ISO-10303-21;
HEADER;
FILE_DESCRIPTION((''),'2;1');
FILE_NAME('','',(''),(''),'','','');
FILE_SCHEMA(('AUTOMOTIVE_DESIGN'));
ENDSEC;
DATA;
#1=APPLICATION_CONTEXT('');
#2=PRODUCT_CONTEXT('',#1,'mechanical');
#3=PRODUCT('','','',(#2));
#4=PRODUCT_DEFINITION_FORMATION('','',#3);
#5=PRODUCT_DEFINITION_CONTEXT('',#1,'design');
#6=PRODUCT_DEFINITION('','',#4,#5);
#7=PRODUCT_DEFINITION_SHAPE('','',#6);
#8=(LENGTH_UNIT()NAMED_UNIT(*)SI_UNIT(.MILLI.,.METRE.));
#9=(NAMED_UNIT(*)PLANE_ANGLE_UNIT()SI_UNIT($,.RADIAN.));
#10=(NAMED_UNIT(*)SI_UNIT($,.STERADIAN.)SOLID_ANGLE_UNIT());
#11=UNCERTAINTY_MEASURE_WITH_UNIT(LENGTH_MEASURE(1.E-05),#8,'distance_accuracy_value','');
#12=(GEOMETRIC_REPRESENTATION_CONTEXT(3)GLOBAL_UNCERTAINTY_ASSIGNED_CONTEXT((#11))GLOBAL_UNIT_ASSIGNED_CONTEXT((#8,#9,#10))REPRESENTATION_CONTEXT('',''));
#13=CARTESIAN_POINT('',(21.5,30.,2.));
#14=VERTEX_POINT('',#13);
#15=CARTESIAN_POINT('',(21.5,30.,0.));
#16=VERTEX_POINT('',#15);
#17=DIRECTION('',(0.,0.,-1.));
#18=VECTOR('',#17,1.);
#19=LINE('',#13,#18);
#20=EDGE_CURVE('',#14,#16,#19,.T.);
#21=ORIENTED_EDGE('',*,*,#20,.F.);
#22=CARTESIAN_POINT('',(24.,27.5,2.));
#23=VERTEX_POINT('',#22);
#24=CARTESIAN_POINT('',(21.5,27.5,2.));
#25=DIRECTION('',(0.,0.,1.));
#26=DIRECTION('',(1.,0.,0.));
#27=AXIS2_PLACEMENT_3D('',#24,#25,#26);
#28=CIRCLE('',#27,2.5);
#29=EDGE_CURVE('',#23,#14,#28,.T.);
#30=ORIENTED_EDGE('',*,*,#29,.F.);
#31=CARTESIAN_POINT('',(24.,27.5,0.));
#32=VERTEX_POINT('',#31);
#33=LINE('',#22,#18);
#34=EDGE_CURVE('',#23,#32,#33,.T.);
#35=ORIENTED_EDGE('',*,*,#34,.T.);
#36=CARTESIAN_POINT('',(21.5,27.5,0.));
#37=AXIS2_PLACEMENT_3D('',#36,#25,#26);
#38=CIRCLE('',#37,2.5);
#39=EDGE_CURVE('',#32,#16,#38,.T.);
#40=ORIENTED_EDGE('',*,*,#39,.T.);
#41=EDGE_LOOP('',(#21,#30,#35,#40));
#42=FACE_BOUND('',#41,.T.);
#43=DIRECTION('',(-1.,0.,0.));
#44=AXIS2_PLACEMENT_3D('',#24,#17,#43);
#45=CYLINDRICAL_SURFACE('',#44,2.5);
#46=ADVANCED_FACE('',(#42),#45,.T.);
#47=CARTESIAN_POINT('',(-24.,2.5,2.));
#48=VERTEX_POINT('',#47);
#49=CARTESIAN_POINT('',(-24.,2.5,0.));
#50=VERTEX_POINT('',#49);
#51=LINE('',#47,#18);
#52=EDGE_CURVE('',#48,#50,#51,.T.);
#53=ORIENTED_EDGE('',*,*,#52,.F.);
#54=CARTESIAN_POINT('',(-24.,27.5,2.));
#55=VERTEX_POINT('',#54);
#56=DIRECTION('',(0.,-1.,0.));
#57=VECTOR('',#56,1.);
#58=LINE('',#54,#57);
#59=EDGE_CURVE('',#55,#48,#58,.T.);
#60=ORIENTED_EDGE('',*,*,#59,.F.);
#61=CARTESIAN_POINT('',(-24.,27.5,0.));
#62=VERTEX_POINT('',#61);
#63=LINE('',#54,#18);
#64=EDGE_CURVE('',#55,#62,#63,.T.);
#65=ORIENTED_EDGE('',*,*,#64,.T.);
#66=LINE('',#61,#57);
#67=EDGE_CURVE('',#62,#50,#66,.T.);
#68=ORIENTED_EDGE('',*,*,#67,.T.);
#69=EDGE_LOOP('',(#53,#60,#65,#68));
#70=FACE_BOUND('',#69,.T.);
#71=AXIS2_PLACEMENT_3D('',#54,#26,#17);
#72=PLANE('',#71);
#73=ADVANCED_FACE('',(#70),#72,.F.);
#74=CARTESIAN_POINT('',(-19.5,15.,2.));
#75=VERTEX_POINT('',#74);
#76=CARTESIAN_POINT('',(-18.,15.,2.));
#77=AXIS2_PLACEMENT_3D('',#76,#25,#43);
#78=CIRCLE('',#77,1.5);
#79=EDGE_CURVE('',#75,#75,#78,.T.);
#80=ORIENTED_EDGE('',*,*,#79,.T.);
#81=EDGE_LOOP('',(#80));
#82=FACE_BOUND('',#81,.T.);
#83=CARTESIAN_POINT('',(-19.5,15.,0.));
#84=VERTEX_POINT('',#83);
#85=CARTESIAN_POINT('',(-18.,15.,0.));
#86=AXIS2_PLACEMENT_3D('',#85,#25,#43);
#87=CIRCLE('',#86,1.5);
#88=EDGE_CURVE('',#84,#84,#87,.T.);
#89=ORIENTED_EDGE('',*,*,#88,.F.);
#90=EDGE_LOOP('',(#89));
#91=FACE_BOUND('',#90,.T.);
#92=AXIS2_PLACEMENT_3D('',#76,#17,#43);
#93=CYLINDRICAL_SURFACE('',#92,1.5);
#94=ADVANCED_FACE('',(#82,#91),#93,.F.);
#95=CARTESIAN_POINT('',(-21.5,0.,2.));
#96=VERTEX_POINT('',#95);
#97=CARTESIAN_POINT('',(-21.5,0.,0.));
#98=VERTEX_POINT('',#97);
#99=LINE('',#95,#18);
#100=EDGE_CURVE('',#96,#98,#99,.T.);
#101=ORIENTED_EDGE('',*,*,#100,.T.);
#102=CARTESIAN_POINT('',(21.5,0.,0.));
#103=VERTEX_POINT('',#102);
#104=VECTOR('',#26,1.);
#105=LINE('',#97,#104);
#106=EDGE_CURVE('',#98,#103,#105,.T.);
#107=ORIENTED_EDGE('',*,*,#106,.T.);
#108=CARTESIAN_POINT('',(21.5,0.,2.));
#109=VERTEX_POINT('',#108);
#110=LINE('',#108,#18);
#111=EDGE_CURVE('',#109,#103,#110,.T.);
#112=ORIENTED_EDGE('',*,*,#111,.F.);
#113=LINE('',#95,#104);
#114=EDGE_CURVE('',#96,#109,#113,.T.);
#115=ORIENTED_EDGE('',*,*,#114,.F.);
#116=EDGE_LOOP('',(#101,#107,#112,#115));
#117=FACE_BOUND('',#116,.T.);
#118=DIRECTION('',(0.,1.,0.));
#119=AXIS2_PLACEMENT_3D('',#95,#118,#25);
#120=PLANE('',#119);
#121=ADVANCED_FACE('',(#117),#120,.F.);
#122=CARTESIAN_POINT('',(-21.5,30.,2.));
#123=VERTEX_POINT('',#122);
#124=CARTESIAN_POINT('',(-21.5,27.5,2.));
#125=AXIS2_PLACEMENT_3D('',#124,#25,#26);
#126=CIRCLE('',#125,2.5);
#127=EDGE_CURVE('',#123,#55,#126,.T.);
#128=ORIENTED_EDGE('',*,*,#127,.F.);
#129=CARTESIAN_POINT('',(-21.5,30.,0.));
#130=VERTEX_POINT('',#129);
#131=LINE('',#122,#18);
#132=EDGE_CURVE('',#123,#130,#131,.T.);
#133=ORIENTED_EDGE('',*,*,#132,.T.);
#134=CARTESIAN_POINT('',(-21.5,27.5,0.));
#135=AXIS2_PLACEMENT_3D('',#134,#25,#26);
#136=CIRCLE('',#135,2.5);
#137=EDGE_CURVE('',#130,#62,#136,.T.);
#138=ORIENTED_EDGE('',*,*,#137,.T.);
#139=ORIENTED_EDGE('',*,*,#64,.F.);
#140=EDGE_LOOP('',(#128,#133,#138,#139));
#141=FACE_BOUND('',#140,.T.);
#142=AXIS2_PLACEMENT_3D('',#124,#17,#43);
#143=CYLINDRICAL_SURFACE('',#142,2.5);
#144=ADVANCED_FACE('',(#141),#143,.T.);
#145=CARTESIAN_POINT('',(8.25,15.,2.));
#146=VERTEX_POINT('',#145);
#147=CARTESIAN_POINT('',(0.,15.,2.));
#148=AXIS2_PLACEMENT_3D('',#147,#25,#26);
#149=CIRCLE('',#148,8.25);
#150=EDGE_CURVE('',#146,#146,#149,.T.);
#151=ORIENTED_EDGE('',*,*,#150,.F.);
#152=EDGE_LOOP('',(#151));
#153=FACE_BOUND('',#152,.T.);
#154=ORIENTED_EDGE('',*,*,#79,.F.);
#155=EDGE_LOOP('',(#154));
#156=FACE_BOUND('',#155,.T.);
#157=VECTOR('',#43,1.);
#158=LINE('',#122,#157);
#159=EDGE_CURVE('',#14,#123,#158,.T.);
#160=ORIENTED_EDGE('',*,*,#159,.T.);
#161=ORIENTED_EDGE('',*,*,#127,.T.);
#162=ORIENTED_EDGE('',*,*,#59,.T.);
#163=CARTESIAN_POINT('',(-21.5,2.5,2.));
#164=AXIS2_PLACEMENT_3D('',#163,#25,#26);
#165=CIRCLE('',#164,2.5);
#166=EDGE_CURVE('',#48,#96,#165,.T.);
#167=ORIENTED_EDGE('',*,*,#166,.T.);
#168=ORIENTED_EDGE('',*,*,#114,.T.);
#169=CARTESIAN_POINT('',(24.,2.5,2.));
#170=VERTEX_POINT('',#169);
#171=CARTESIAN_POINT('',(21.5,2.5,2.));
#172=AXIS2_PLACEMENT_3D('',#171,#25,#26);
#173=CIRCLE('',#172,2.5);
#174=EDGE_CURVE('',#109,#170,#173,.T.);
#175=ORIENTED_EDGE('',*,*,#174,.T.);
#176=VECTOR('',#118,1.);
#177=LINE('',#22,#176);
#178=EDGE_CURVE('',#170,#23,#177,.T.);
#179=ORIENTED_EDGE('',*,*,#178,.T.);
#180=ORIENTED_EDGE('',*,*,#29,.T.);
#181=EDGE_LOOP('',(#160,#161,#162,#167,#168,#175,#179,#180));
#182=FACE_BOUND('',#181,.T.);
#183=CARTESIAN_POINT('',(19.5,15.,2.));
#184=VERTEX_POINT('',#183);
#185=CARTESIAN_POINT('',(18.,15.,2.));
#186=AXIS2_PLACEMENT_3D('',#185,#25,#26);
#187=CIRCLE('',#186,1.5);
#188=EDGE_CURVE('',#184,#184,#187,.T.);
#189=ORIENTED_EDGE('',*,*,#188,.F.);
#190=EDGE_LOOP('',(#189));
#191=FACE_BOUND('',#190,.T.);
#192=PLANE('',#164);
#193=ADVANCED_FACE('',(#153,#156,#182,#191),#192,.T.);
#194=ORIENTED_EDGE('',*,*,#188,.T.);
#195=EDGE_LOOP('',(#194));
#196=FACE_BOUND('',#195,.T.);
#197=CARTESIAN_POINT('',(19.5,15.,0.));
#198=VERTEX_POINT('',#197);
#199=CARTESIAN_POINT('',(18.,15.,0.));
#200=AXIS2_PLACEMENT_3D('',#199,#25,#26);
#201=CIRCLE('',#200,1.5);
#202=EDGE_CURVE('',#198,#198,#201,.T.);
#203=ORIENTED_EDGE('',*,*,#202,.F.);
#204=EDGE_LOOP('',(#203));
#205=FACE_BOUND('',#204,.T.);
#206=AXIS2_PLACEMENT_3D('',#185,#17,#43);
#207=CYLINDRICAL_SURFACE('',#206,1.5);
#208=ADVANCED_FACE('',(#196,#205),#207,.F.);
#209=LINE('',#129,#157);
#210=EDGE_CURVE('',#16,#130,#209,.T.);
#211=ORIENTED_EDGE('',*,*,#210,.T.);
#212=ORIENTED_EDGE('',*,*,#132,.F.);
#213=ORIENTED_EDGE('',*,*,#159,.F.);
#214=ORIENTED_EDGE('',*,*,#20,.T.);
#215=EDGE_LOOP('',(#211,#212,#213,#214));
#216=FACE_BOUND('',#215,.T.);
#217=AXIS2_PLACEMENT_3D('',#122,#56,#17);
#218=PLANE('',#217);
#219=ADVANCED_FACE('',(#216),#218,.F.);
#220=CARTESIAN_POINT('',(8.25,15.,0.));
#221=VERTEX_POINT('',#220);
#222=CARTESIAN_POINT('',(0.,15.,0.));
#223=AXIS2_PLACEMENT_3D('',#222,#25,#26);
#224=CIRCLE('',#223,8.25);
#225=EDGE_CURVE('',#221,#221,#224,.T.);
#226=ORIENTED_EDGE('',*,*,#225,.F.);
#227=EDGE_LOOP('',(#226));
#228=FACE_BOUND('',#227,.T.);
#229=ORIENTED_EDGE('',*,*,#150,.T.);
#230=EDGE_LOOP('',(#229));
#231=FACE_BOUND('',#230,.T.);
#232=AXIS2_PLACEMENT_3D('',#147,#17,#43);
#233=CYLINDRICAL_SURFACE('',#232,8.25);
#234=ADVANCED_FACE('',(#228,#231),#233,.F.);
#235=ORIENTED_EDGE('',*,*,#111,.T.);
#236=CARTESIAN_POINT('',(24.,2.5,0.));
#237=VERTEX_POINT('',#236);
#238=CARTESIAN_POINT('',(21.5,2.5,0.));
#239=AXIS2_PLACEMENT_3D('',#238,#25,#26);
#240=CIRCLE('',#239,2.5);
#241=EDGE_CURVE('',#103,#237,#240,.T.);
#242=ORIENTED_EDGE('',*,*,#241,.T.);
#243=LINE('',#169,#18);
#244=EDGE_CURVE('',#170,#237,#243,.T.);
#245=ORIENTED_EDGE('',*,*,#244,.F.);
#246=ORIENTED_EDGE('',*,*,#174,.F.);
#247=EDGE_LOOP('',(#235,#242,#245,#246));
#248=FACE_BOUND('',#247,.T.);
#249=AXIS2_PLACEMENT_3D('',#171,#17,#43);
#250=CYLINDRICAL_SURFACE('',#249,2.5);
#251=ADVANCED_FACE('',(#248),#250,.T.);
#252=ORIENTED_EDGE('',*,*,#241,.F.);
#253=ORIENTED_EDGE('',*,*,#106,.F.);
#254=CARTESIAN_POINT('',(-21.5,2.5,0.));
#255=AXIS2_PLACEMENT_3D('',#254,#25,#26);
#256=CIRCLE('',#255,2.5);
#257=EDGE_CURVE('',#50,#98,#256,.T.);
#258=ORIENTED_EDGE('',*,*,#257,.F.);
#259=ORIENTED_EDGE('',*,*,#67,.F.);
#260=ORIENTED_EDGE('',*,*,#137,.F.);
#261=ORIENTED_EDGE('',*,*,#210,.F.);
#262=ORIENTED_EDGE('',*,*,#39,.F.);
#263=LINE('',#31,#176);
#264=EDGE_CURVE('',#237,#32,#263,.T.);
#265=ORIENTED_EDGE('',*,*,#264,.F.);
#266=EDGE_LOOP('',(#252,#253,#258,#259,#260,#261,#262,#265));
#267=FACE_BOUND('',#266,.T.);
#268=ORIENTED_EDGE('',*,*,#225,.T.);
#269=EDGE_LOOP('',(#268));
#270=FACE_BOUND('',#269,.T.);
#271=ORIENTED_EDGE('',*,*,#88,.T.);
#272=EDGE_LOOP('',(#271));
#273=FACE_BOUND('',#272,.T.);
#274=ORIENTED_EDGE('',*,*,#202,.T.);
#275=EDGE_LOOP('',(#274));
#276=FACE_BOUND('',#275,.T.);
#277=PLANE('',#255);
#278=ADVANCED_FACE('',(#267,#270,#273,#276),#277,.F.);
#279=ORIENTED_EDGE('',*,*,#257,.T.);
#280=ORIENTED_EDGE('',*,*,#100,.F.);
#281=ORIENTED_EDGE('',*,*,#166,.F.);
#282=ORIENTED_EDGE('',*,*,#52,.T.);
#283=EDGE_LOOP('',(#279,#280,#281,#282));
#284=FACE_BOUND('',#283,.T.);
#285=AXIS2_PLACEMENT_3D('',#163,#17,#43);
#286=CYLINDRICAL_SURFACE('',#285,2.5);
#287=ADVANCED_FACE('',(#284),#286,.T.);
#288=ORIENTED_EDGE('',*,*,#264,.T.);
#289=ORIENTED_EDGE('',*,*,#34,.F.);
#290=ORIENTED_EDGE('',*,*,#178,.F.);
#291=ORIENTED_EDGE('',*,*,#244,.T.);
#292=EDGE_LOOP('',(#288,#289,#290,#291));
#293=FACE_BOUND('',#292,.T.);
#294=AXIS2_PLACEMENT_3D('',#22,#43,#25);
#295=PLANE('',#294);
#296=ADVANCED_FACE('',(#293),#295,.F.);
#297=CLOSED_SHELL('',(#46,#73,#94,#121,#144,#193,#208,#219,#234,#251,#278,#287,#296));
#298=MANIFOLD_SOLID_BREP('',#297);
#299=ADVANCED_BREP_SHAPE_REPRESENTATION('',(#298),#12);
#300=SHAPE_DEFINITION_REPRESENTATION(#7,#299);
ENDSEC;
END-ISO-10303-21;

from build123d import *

# Parameters (mm, degrees)
MODEL_R             = 1.5
MODEL_R_2           = 8.25
BOSS_EXTRUDE1_DEPTH = 2


with BuildPart() as part:
    # Model → Boss-Extrude1 (new body)
    with BuildSketch(Plane.XY):
        with BuildLine():
            Line((-21.5, 30), (21.5, 30))
            ThreePointArc((21.5, 30), (23.267766953, 29.267766953), (24, 27.5))
            Line((24, 27.5), (24, 2.5))
            ThreePointArc((24, 2.5), (23.267766953, 0.732233047), (21.5, 0))
            Line((21.5, 0), (-21.5, 0))
            ThreePointArc((-21.5, 0), (-23.267766953, 0.732233047), (-24, 2.5))
            Line((-24, 2.5), (-24, 27.5))
            ThreePointArc((-24, 27.5), (-23.267766953, 29.267766953), (-21.5, 30))
        make_face()
        with Locations((18, 15)):
            Circle(MODEL_R, mode=Mode.SUBTRACT)
        with Locations(Location((-18, 15, 0), (0, 0, 180))):
            Circle(MODEL_R, mode=Mode.SUBTRACT)
        with Locations((0, 15)):
            Circle(MODEL_R_2, mode=Mode.SUBTRACT)
    extrude(amount=BOSS_EXTRUDE1_DEPTH)


solid = part.part
